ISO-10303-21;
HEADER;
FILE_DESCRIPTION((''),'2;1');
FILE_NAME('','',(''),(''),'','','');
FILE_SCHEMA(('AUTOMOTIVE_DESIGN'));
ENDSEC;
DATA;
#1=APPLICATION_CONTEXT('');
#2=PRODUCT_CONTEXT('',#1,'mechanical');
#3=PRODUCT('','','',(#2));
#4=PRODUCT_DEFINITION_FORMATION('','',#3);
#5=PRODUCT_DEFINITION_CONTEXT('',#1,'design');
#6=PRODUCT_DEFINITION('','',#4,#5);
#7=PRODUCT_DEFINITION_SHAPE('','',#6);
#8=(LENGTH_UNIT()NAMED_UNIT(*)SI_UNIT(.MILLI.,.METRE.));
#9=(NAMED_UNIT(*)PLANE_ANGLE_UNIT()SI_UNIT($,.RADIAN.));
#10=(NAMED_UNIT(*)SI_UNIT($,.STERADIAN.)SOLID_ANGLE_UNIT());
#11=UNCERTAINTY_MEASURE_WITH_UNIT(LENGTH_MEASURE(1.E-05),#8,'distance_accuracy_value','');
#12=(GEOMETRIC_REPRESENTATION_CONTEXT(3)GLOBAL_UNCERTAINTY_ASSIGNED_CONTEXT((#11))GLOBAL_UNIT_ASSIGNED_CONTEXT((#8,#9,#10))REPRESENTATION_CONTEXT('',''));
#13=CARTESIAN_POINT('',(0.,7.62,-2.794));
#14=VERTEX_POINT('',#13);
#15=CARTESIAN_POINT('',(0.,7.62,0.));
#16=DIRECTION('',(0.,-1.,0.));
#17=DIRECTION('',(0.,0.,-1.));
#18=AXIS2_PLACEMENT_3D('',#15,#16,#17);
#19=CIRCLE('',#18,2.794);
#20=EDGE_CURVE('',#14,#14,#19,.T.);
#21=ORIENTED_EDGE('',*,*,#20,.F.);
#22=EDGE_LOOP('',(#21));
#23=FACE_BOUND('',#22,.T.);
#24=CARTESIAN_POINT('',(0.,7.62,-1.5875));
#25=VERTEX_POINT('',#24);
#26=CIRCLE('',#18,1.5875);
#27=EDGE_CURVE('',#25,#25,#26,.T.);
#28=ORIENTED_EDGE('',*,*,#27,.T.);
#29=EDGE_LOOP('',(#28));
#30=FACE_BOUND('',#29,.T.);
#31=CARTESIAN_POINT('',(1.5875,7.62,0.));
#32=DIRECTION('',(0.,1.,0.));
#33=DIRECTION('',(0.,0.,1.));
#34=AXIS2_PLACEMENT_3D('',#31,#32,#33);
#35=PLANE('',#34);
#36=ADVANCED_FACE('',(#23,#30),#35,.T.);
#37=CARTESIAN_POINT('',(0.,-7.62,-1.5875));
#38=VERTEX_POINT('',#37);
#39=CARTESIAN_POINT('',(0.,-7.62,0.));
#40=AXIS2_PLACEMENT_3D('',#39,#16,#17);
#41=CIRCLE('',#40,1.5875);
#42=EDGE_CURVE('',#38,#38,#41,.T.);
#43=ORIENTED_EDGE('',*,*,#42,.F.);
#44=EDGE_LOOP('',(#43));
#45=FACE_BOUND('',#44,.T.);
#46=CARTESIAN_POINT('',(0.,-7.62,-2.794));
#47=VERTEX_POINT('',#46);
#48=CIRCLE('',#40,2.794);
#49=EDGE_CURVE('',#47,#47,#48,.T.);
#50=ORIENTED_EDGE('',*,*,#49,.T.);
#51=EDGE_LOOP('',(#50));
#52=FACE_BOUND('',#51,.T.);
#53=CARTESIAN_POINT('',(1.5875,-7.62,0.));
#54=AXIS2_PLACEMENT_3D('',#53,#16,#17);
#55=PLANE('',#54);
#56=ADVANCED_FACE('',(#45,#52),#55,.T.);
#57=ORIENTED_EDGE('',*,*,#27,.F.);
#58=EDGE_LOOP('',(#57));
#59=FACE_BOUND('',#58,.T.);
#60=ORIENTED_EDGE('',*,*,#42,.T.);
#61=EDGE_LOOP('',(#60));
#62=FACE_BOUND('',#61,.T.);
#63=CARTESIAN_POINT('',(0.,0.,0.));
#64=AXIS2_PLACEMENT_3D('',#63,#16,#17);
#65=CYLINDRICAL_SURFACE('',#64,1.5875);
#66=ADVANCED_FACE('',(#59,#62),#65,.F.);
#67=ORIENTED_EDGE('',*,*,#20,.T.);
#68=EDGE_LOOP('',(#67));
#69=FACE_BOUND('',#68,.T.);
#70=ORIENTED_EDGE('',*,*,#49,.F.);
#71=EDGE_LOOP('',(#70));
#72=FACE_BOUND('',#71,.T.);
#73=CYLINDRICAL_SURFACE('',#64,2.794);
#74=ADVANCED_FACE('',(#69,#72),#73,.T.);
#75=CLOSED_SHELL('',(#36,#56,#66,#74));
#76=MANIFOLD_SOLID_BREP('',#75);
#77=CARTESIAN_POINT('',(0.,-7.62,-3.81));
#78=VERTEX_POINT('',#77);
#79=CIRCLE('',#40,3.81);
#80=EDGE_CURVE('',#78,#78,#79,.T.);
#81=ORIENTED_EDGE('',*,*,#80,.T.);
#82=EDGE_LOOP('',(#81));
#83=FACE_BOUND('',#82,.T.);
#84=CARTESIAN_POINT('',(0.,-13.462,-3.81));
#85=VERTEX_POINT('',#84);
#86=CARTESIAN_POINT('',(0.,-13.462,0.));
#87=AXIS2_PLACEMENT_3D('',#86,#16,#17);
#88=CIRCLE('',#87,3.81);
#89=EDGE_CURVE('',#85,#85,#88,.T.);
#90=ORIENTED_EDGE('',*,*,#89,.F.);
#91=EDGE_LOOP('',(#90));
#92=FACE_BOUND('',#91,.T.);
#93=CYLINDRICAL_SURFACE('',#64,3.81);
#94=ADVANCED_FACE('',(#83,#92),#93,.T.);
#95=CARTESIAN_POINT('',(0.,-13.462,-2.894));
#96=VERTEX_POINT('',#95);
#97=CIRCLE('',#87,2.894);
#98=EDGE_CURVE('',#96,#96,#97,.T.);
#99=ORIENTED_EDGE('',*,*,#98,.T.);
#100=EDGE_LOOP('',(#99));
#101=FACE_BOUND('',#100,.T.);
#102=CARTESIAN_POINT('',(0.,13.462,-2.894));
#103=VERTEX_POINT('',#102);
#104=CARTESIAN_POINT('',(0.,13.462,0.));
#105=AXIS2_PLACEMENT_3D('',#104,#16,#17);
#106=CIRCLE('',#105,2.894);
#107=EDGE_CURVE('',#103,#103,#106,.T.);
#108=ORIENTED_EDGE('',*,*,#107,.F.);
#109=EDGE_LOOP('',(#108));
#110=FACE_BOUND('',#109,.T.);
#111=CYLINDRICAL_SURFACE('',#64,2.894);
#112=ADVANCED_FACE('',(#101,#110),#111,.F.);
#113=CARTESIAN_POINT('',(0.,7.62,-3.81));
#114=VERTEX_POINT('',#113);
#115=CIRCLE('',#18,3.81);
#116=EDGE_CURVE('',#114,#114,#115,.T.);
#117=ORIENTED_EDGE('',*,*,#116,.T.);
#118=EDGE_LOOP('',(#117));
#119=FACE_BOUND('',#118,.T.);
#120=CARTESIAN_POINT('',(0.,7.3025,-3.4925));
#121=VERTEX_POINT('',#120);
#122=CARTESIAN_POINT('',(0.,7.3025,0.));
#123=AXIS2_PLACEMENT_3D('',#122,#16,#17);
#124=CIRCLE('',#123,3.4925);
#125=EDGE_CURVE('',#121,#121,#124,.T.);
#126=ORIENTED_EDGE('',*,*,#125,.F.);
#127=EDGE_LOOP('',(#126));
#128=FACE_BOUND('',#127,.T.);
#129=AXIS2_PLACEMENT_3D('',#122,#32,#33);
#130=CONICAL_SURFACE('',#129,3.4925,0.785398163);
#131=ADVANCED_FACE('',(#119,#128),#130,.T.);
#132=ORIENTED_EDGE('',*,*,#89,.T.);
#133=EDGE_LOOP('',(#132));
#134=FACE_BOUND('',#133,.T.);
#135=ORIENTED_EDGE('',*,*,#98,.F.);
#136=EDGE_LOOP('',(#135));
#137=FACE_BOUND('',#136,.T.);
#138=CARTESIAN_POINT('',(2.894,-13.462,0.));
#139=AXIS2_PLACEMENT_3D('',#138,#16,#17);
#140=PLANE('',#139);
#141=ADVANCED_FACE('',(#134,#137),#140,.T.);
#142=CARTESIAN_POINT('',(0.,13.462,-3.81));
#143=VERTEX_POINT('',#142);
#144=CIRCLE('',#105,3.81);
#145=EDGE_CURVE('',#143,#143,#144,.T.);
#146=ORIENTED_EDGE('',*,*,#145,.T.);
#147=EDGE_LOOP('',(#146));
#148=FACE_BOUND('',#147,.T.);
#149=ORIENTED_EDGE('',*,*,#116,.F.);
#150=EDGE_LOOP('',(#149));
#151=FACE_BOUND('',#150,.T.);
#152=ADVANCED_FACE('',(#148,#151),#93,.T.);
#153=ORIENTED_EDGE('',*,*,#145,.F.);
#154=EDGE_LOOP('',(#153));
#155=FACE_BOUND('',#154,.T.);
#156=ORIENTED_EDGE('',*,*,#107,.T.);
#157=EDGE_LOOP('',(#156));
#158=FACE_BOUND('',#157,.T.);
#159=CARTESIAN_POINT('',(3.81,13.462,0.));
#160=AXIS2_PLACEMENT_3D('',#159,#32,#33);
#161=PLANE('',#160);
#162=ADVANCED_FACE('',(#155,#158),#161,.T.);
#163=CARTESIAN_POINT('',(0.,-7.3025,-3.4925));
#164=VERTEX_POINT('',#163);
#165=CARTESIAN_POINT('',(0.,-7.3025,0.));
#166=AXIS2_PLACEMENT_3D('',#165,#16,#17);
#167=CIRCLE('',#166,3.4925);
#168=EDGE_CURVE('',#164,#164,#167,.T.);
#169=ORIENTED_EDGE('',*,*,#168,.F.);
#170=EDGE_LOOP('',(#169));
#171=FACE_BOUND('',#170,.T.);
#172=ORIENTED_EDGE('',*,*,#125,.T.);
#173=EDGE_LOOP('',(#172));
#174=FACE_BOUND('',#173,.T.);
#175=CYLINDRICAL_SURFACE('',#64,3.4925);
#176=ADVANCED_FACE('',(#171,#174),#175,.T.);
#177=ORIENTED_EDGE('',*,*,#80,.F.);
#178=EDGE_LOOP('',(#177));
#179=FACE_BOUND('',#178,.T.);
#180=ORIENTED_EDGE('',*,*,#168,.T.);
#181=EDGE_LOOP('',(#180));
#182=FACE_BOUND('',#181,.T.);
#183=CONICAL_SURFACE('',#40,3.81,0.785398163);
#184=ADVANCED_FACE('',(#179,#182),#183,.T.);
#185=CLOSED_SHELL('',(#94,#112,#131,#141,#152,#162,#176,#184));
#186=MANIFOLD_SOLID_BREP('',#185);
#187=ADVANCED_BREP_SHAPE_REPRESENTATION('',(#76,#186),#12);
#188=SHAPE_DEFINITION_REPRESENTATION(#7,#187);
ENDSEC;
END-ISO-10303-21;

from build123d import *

# Parameters (mm, degrees)
SKETCH1_W = 1.2065
SKETCH1_H = 15.24


with BuildPart() as part:
    # Sketch1 → Revolve1 (revolve)
    with BuildSketch(Plane.XY):
        Polygon((2.894, 13.462), (2.894, -13.462), (3.81, -13.462), (3.81, -7.62), (3.4925, -7.3025), (3.4925, 7.3025), (3.81, 7.62), (3.81, 13.462), align=None)
        with Locations((2.19075, 0)):
            Rectangle(SKETCH1_W, SKETCH1_H)
    revolve(axis=Axis((0, 0, 0), (0, 1, 0)))


solid = part.part
